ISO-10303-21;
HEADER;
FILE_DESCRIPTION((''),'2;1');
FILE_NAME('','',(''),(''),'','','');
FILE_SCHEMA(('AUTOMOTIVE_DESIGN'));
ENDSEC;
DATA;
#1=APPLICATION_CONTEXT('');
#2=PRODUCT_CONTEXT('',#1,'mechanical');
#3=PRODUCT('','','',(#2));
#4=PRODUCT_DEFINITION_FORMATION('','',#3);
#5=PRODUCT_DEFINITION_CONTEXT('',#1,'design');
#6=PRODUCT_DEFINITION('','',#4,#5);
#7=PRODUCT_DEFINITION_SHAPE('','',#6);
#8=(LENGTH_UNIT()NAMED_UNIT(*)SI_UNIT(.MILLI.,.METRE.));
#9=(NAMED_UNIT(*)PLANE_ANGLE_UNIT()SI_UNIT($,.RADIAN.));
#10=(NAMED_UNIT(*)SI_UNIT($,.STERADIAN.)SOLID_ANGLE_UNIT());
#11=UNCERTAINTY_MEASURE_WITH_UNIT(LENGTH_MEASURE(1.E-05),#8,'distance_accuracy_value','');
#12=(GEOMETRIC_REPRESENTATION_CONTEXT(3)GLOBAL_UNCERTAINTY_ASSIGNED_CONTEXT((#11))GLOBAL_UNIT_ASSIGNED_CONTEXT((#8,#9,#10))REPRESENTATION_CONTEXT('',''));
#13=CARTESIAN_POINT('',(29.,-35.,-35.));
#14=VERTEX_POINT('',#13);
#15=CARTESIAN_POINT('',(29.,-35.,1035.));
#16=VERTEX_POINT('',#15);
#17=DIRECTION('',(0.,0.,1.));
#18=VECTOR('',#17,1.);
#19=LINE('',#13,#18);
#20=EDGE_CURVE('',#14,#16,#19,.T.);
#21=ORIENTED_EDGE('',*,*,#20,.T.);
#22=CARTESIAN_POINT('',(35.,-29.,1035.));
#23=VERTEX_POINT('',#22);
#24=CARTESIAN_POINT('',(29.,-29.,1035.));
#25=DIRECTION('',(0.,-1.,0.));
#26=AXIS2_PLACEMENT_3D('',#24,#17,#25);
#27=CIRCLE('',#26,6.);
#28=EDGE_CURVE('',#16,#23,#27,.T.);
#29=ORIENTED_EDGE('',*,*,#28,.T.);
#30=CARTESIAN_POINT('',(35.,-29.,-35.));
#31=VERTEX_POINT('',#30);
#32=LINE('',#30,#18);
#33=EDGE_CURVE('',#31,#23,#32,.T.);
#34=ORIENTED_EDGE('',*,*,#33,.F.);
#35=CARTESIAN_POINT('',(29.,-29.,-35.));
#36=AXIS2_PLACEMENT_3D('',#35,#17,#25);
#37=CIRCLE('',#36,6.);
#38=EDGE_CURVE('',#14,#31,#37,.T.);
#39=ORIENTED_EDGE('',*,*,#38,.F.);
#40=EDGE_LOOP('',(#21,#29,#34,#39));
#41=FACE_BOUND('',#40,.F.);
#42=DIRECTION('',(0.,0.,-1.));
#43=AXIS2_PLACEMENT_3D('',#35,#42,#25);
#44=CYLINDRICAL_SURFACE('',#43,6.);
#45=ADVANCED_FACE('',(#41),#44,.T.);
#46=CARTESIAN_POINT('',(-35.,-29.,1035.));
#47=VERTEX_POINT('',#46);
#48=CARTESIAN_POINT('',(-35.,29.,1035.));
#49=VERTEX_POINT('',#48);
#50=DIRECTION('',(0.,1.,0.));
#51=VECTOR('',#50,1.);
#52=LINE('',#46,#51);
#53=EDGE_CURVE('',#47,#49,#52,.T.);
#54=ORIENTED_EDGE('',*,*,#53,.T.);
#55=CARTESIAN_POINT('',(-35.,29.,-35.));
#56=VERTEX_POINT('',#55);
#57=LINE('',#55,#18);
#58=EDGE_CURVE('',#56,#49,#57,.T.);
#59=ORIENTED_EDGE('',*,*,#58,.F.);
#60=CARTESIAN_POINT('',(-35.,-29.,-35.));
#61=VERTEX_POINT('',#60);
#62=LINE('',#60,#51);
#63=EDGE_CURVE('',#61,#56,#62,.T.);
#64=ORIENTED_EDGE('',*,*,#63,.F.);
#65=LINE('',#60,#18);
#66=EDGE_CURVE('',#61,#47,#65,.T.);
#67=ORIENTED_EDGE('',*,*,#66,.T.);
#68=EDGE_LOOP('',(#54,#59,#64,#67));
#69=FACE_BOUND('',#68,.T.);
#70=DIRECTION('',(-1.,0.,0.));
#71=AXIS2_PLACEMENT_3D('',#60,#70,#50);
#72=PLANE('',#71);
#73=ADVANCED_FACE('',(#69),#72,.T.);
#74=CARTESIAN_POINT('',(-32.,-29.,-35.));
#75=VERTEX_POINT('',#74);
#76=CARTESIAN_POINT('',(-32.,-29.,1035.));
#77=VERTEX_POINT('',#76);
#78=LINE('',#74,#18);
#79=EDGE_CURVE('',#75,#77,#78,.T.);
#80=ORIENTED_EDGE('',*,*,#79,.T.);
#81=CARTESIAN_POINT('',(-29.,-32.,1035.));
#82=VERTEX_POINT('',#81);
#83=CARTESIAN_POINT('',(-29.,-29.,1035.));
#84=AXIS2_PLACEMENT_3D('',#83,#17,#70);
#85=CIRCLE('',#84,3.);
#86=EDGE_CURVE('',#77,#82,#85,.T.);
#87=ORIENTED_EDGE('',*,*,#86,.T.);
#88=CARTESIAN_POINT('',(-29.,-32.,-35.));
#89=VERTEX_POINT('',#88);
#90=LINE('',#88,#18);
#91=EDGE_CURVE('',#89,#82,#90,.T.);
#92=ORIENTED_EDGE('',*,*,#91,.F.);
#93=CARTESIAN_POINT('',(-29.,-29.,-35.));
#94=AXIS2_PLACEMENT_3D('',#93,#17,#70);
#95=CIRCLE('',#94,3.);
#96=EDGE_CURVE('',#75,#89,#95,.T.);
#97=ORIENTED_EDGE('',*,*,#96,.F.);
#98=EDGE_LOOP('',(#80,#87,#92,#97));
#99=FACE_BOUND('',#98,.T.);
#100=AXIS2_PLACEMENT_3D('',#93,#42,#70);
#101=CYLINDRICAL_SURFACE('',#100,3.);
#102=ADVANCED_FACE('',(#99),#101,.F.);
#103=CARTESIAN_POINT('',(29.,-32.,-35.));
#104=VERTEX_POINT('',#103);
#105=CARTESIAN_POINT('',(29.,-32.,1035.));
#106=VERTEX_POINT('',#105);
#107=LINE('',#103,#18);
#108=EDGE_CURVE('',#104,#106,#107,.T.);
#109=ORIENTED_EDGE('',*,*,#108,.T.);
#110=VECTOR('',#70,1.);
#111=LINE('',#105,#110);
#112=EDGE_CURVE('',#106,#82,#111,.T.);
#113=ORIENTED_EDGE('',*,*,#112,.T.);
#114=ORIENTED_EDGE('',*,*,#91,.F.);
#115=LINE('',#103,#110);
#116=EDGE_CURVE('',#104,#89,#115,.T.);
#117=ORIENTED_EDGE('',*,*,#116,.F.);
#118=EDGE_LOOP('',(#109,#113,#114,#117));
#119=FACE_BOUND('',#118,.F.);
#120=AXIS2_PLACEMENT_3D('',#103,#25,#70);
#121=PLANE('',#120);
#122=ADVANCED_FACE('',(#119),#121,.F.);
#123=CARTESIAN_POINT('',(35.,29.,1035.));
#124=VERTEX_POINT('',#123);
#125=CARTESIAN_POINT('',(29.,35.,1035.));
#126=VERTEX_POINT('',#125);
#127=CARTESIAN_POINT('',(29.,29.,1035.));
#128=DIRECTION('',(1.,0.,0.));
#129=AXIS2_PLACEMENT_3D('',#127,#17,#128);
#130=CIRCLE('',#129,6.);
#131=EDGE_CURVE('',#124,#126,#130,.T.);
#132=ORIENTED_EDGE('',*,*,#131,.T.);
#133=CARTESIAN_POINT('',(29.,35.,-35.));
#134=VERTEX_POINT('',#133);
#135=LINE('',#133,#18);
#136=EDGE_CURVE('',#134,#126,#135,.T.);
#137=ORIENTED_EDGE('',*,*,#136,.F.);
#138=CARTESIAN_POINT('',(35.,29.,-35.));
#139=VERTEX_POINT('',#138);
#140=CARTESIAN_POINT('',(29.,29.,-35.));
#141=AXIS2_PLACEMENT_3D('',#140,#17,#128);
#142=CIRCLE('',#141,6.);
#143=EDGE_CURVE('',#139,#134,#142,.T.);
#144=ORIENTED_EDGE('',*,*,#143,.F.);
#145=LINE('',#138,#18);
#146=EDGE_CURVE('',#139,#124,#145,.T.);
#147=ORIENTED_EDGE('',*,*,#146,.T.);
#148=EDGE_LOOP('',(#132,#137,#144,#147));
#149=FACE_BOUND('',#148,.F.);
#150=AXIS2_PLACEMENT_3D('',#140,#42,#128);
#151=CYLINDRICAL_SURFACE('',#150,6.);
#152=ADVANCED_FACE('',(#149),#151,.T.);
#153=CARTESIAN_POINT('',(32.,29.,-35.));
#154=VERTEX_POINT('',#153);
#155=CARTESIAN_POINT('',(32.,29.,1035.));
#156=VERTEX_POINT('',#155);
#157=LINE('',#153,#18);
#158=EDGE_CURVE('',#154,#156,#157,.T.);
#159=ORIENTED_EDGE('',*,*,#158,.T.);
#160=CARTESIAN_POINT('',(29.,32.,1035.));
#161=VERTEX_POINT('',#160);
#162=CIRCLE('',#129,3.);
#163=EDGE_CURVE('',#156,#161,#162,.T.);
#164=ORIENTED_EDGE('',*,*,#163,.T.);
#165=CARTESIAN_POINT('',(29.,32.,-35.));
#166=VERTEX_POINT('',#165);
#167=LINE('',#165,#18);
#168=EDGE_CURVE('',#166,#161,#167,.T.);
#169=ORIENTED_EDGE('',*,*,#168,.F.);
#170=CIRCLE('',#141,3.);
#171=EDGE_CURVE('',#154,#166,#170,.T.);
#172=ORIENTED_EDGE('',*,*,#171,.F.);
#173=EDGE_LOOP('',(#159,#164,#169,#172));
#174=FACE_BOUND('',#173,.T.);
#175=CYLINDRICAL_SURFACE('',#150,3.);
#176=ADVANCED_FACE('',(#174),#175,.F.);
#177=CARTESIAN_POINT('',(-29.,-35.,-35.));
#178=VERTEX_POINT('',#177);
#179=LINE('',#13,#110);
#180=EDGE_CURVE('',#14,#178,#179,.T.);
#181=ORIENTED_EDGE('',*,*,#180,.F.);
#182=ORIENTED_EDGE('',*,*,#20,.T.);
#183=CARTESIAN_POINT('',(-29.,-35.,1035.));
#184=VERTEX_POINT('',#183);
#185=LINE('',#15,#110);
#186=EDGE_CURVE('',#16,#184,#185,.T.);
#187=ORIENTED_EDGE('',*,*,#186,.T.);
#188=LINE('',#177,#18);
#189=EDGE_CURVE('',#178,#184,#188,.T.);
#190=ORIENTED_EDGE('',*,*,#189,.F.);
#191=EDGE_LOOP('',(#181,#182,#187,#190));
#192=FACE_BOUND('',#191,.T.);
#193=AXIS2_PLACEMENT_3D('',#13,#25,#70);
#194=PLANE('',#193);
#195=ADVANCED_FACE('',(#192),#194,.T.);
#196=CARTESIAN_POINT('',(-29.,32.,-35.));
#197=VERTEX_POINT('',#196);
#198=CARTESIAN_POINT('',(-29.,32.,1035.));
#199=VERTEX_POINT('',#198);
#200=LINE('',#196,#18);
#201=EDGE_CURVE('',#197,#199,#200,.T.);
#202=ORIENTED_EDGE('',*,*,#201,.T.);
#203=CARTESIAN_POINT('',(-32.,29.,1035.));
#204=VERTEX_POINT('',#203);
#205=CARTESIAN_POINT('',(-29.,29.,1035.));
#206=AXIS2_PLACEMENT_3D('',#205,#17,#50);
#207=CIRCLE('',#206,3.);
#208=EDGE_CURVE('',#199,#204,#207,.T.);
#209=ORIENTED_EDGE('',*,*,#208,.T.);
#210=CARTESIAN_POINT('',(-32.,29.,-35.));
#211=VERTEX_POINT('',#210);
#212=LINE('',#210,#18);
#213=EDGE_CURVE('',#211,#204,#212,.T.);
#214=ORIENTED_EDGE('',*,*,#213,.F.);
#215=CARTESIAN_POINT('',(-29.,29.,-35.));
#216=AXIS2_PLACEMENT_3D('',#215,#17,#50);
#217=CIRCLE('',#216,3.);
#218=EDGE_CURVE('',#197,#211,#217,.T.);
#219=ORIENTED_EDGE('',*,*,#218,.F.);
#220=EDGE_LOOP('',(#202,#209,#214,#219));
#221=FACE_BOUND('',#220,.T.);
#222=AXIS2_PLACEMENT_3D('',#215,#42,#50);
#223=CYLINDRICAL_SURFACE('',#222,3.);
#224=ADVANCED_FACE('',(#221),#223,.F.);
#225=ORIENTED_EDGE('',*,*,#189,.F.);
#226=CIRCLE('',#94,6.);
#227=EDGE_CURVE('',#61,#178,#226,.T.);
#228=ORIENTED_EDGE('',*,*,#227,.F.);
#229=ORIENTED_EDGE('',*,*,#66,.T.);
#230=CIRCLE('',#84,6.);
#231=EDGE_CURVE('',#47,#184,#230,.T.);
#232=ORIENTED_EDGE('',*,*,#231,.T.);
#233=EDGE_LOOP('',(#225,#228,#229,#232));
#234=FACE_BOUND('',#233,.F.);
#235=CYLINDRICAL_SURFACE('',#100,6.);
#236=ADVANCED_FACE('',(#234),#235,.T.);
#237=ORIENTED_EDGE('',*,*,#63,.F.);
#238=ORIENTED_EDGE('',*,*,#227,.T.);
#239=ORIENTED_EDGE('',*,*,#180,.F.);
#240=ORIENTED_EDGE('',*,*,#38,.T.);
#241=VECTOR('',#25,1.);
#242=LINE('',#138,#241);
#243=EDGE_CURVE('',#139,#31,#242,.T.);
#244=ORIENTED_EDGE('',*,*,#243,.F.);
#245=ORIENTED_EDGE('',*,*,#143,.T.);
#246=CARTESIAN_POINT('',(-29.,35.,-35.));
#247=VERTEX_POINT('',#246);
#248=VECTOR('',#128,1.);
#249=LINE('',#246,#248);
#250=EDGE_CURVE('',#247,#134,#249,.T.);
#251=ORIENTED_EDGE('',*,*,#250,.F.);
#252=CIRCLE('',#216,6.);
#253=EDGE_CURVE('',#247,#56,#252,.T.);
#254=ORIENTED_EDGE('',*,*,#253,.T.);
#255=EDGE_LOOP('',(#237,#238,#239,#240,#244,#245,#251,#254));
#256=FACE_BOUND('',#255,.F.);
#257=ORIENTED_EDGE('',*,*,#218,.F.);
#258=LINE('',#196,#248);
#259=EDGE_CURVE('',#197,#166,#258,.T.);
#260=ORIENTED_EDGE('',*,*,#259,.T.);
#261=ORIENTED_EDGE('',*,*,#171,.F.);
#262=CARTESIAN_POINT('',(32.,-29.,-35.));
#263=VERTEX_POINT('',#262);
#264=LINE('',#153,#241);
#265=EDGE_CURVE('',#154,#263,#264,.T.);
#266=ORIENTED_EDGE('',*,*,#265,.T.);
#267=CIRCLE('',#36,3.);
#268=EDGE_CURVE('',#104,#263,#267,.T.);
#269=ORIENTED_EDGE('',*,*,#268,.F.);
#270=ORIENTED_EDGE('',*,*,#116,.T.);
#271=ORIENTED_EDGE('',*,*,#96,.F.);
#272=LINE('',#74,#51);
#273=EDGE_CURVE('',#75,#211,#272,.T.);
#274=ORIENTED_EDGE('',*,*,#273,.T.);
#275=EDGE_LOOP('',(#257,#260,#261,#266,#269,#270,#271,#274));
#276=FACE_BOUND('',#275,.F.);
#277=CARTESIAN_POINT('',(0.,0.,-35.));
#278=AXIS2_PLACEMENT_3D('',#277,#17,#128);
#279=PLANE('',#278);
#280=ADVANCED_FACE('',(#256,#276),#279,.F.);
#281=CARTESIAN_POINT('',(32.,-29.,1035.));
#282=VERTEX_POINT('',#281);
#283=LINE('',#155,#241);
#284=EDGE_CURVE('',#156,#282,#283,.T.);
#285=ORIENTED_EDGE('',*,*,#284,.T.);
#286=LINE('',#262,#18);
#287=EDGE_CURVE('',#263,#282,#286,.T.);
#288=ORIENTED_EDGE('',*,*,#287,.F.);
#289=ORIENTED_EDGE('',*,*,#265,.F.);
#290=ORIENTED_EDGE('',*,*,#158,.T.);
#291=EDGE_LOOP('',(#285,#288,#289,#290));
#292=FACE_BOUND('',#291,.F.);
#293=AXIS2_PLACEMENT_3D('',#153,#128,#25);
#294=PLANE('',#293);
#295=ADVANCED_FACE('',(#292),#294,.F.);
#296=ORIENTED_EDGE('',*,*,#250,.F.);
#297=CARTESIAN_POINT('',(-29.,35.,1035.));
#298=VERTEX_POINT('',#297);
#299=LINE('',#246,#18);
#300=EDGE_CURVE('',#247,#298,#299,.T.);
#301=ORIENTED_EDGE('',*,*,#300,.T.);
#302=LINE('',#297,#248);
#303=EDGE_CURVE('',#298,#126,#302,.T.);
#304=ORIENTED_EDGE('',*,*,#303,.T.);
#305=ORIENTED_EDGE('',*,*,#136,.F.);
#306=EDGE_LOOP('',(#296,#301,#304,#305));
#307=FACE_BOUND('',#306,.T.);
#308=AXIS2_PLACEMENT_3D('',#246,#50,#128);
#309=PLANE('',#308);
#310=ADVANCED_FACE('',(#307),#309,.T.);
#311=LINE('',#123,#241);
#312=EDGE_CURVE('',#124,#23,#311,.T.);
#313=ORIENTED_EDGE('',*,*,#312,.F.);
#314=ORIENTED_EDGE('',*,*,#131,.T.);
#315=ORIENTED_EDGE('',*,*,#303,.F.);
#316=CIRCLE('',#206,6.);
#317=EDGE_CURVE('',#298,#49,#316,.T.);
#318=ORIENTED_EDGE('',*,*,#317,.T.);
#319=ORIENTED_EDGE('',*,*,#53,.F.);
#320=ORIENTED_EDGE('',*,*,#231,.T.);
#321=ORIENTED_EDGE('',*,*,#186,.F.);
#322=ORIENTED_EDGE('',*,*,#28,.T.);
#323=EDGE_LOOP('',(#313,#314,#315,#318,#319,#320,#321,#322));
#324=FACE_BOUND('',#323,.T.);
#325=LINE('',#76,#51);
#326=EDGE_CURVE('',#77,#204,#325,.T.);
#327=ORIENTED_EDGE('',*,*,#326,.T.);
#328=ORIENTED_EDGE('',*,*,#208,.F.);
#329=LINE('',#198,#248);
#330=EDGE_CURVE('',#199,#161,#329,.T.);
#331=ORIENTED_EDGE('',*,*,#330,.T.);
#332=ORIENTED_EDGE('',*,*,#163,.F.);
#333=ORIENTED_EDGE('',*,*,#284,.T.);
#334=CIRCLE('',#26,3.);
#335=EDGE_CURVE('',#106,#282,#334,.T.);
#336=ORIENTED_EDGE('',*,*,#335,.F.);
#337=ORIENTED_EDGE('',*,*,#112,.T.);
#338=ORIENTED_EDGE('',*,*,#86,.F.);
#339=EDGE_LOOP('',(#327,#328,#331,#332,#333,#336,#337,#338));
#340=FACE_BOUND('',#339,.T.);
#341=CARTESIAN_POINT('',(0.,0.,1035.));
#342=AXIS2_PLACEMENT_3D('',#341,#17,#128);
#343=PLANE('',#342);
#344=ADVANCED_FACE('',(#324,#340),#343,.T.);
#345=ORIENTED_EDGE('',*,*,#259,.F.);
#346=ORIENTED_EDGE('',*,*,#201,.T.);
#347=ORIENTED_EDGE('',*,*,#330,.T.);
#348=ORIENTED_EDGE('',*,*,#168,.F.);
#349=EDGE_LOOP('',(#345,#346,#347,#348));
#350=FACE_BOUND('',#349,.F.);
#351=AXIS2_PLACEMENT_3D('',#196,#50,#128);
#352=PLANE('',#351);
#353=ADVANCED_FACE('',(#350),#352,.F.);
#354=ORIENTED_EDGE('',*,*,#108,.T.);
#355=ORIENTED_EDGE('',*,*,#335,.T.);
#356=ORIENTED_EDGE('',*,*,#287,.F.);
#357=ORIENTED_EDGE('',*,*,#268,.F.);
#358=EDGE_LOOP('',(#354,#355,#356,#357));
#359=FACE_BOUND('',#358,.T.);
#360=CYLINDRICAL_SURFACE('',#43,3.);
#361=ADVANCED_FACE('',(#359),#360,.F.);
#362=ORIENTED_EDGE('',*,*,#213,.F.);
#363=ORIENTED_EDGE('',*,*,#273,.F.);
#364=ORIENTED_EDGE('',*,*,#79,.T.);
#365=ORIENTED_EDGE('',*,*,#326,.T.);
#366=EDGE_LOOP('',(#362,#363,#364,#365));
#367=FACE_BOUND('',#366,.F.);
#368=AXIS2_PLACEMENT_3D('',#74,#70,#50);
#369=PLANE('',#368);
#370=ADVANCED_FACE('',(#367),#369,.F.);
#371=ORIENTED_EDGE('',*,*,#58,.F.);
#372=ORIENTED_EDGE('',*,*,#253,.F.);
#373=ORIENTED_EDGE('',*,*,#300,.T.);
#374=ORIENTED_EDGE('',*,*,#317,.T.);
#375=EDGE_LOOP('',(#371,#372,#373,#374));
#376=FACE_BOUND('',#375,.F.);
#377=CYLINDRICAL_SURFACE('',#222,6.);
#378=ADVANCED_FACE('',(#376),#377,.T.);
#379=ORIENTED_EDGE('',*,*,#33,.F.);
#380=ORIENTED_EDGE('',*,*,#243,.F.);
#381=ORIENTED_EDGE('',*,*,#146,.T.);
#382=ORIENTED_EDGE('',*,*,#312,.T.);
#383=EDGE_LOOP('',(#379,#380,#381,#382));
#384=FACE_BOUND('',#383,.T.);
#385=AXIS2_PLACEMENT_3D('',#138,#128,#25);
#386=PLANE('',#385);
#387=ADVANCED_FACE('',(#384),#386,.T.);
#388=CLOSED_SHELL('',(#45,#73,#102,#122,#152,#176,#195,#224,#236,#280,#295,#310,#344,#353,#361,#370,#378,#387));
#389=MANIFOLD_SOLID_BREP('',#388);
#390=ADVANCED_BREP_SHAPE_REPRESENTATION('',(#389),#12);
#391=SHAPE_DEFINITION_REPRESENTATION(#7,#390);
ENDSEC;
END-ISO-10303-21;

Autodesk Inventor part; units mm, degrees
ref_plane "Plano inicial" through (0, 0, -35) normal (0, 0, 1) x (1, 0, 0)
ref_plane "Plano final" through (0, 0, 1035) normal (0, 0, 1) x (1, 0, 0)
sketch "Boceto" plane through (0, 0, 0) normal (0, 0, 1) x (1, 0, 0)
  line L0 (-35, -29) -> (-35, 29)
  line L1 (-29, 35) -> (29, 35)
  line L2 (35, 29) -> (35, -29)
  line L3 (29, -35) -> (-29, -35)
  arc A0 (-35, -29) -> (-29, -35) centre (-29, -29) ccw
  arc A1 (35, 29) -> (29, 35) centre (29, 29) ccw
  arc A2 (-29, 35) -> (-35, 29) centre (-29, 29) ccw
  arc A3 (29, -35) -> (35, -29) centre (29, -29) ccw
  arc A4 (-29, 32) -> (-32, 29) centre (-29, 29) ccw
  line L4 (-29, 32) -> (29, 32)
  arc A5 (32, 29) -> (29, 32) centre (29, 29) ccw
  line L5 (32, 29) -> (32, -29)
  arc A6 (29, -32) -> (32, -29) centre (29, -29) ccw
  line L6 (29, -32) -> (-29, -32)
  arc A7 (-32, -29) -> (-29, -32) centre (-29, -29) ccw
  line L7 (-32, -29) -> (-32, 29)
  line L8 (0, 50.7397) -> (0, -50.7397) construction
  line L9 (-50.7397, 0) -> (50.7397, 0) construction
  dimension "d7" = 6
  dimension "d9" = 70
  dimension "d11" = 70
  dimension "d12" = 3
  dimension "d15" = 35
  dimension "d16" = 35
extrude "Cuerpo" add sketch "Boceto" along normal up to surface (1070 mm away) from surface at -35
sketch "Sketch3" plane through (0, 0, 0) normal (0, 0, 1) x (1, 0, 0)
  line L0 (0, 0) -> (10, 0)
ref_plane "Work Plane3" through (0, 0, 0) normal (0, -1, 0) x (1, 0, 0)
sketch "Sketch4" plane through (0, 0, 0) normal (0, -1, 0) x (1, 0, 0)
  line L0 (-2, -35) -> (12, -35)
  line L1 (-2, 1035) -> (12, 1035)
  dimension "d18" = 1070
ref_plane "Plano de trabajo4" through (2315, -29, -35) normal (0, 0, -1) x (-1, 0, 0)
split "Dividir1" plane through (2315, -29, -35) removes the side toward (0, 0, -1)
ref_plane "Plano de trabajo5" through (0, -29, 1035) normal (0, 0, 1) x (1, 0, 0)
split "Dividir2" plane through (0, -29, 1035) removes the side toward (0, 0, 1)
equation "\"d7\" = G_IR"
equation "\"d9\" = G_W"
equation "\"d11\" = G_H"
equation "\"d12\" = G_T"
equation "\"d15\" = 0.5 * d9"
equation "\"d16\" = 0.5 * d11"
equation "\"d3\" = G_L"
equation "\"G_W\" = 70"
equation "\"G_H\" = 70"
equation "\"G_T\" = 3"
equation "\"G_IR\" = 6"
equation "\"G_L\" = d18"
equation "\"G_OFFSET_START\" = 35"
equation "\"G_OFFSET_END\" = 535"
equation "\"d13\" = -G_OFFSET_START"
equation "\"d14\" = G_OFFSET_END + B_L"
equation "\"B_L\" = 500"
properties part number "ISO 10799-2 - 70x70x3 - 1070" material "Galvanizado catalogo 2"
